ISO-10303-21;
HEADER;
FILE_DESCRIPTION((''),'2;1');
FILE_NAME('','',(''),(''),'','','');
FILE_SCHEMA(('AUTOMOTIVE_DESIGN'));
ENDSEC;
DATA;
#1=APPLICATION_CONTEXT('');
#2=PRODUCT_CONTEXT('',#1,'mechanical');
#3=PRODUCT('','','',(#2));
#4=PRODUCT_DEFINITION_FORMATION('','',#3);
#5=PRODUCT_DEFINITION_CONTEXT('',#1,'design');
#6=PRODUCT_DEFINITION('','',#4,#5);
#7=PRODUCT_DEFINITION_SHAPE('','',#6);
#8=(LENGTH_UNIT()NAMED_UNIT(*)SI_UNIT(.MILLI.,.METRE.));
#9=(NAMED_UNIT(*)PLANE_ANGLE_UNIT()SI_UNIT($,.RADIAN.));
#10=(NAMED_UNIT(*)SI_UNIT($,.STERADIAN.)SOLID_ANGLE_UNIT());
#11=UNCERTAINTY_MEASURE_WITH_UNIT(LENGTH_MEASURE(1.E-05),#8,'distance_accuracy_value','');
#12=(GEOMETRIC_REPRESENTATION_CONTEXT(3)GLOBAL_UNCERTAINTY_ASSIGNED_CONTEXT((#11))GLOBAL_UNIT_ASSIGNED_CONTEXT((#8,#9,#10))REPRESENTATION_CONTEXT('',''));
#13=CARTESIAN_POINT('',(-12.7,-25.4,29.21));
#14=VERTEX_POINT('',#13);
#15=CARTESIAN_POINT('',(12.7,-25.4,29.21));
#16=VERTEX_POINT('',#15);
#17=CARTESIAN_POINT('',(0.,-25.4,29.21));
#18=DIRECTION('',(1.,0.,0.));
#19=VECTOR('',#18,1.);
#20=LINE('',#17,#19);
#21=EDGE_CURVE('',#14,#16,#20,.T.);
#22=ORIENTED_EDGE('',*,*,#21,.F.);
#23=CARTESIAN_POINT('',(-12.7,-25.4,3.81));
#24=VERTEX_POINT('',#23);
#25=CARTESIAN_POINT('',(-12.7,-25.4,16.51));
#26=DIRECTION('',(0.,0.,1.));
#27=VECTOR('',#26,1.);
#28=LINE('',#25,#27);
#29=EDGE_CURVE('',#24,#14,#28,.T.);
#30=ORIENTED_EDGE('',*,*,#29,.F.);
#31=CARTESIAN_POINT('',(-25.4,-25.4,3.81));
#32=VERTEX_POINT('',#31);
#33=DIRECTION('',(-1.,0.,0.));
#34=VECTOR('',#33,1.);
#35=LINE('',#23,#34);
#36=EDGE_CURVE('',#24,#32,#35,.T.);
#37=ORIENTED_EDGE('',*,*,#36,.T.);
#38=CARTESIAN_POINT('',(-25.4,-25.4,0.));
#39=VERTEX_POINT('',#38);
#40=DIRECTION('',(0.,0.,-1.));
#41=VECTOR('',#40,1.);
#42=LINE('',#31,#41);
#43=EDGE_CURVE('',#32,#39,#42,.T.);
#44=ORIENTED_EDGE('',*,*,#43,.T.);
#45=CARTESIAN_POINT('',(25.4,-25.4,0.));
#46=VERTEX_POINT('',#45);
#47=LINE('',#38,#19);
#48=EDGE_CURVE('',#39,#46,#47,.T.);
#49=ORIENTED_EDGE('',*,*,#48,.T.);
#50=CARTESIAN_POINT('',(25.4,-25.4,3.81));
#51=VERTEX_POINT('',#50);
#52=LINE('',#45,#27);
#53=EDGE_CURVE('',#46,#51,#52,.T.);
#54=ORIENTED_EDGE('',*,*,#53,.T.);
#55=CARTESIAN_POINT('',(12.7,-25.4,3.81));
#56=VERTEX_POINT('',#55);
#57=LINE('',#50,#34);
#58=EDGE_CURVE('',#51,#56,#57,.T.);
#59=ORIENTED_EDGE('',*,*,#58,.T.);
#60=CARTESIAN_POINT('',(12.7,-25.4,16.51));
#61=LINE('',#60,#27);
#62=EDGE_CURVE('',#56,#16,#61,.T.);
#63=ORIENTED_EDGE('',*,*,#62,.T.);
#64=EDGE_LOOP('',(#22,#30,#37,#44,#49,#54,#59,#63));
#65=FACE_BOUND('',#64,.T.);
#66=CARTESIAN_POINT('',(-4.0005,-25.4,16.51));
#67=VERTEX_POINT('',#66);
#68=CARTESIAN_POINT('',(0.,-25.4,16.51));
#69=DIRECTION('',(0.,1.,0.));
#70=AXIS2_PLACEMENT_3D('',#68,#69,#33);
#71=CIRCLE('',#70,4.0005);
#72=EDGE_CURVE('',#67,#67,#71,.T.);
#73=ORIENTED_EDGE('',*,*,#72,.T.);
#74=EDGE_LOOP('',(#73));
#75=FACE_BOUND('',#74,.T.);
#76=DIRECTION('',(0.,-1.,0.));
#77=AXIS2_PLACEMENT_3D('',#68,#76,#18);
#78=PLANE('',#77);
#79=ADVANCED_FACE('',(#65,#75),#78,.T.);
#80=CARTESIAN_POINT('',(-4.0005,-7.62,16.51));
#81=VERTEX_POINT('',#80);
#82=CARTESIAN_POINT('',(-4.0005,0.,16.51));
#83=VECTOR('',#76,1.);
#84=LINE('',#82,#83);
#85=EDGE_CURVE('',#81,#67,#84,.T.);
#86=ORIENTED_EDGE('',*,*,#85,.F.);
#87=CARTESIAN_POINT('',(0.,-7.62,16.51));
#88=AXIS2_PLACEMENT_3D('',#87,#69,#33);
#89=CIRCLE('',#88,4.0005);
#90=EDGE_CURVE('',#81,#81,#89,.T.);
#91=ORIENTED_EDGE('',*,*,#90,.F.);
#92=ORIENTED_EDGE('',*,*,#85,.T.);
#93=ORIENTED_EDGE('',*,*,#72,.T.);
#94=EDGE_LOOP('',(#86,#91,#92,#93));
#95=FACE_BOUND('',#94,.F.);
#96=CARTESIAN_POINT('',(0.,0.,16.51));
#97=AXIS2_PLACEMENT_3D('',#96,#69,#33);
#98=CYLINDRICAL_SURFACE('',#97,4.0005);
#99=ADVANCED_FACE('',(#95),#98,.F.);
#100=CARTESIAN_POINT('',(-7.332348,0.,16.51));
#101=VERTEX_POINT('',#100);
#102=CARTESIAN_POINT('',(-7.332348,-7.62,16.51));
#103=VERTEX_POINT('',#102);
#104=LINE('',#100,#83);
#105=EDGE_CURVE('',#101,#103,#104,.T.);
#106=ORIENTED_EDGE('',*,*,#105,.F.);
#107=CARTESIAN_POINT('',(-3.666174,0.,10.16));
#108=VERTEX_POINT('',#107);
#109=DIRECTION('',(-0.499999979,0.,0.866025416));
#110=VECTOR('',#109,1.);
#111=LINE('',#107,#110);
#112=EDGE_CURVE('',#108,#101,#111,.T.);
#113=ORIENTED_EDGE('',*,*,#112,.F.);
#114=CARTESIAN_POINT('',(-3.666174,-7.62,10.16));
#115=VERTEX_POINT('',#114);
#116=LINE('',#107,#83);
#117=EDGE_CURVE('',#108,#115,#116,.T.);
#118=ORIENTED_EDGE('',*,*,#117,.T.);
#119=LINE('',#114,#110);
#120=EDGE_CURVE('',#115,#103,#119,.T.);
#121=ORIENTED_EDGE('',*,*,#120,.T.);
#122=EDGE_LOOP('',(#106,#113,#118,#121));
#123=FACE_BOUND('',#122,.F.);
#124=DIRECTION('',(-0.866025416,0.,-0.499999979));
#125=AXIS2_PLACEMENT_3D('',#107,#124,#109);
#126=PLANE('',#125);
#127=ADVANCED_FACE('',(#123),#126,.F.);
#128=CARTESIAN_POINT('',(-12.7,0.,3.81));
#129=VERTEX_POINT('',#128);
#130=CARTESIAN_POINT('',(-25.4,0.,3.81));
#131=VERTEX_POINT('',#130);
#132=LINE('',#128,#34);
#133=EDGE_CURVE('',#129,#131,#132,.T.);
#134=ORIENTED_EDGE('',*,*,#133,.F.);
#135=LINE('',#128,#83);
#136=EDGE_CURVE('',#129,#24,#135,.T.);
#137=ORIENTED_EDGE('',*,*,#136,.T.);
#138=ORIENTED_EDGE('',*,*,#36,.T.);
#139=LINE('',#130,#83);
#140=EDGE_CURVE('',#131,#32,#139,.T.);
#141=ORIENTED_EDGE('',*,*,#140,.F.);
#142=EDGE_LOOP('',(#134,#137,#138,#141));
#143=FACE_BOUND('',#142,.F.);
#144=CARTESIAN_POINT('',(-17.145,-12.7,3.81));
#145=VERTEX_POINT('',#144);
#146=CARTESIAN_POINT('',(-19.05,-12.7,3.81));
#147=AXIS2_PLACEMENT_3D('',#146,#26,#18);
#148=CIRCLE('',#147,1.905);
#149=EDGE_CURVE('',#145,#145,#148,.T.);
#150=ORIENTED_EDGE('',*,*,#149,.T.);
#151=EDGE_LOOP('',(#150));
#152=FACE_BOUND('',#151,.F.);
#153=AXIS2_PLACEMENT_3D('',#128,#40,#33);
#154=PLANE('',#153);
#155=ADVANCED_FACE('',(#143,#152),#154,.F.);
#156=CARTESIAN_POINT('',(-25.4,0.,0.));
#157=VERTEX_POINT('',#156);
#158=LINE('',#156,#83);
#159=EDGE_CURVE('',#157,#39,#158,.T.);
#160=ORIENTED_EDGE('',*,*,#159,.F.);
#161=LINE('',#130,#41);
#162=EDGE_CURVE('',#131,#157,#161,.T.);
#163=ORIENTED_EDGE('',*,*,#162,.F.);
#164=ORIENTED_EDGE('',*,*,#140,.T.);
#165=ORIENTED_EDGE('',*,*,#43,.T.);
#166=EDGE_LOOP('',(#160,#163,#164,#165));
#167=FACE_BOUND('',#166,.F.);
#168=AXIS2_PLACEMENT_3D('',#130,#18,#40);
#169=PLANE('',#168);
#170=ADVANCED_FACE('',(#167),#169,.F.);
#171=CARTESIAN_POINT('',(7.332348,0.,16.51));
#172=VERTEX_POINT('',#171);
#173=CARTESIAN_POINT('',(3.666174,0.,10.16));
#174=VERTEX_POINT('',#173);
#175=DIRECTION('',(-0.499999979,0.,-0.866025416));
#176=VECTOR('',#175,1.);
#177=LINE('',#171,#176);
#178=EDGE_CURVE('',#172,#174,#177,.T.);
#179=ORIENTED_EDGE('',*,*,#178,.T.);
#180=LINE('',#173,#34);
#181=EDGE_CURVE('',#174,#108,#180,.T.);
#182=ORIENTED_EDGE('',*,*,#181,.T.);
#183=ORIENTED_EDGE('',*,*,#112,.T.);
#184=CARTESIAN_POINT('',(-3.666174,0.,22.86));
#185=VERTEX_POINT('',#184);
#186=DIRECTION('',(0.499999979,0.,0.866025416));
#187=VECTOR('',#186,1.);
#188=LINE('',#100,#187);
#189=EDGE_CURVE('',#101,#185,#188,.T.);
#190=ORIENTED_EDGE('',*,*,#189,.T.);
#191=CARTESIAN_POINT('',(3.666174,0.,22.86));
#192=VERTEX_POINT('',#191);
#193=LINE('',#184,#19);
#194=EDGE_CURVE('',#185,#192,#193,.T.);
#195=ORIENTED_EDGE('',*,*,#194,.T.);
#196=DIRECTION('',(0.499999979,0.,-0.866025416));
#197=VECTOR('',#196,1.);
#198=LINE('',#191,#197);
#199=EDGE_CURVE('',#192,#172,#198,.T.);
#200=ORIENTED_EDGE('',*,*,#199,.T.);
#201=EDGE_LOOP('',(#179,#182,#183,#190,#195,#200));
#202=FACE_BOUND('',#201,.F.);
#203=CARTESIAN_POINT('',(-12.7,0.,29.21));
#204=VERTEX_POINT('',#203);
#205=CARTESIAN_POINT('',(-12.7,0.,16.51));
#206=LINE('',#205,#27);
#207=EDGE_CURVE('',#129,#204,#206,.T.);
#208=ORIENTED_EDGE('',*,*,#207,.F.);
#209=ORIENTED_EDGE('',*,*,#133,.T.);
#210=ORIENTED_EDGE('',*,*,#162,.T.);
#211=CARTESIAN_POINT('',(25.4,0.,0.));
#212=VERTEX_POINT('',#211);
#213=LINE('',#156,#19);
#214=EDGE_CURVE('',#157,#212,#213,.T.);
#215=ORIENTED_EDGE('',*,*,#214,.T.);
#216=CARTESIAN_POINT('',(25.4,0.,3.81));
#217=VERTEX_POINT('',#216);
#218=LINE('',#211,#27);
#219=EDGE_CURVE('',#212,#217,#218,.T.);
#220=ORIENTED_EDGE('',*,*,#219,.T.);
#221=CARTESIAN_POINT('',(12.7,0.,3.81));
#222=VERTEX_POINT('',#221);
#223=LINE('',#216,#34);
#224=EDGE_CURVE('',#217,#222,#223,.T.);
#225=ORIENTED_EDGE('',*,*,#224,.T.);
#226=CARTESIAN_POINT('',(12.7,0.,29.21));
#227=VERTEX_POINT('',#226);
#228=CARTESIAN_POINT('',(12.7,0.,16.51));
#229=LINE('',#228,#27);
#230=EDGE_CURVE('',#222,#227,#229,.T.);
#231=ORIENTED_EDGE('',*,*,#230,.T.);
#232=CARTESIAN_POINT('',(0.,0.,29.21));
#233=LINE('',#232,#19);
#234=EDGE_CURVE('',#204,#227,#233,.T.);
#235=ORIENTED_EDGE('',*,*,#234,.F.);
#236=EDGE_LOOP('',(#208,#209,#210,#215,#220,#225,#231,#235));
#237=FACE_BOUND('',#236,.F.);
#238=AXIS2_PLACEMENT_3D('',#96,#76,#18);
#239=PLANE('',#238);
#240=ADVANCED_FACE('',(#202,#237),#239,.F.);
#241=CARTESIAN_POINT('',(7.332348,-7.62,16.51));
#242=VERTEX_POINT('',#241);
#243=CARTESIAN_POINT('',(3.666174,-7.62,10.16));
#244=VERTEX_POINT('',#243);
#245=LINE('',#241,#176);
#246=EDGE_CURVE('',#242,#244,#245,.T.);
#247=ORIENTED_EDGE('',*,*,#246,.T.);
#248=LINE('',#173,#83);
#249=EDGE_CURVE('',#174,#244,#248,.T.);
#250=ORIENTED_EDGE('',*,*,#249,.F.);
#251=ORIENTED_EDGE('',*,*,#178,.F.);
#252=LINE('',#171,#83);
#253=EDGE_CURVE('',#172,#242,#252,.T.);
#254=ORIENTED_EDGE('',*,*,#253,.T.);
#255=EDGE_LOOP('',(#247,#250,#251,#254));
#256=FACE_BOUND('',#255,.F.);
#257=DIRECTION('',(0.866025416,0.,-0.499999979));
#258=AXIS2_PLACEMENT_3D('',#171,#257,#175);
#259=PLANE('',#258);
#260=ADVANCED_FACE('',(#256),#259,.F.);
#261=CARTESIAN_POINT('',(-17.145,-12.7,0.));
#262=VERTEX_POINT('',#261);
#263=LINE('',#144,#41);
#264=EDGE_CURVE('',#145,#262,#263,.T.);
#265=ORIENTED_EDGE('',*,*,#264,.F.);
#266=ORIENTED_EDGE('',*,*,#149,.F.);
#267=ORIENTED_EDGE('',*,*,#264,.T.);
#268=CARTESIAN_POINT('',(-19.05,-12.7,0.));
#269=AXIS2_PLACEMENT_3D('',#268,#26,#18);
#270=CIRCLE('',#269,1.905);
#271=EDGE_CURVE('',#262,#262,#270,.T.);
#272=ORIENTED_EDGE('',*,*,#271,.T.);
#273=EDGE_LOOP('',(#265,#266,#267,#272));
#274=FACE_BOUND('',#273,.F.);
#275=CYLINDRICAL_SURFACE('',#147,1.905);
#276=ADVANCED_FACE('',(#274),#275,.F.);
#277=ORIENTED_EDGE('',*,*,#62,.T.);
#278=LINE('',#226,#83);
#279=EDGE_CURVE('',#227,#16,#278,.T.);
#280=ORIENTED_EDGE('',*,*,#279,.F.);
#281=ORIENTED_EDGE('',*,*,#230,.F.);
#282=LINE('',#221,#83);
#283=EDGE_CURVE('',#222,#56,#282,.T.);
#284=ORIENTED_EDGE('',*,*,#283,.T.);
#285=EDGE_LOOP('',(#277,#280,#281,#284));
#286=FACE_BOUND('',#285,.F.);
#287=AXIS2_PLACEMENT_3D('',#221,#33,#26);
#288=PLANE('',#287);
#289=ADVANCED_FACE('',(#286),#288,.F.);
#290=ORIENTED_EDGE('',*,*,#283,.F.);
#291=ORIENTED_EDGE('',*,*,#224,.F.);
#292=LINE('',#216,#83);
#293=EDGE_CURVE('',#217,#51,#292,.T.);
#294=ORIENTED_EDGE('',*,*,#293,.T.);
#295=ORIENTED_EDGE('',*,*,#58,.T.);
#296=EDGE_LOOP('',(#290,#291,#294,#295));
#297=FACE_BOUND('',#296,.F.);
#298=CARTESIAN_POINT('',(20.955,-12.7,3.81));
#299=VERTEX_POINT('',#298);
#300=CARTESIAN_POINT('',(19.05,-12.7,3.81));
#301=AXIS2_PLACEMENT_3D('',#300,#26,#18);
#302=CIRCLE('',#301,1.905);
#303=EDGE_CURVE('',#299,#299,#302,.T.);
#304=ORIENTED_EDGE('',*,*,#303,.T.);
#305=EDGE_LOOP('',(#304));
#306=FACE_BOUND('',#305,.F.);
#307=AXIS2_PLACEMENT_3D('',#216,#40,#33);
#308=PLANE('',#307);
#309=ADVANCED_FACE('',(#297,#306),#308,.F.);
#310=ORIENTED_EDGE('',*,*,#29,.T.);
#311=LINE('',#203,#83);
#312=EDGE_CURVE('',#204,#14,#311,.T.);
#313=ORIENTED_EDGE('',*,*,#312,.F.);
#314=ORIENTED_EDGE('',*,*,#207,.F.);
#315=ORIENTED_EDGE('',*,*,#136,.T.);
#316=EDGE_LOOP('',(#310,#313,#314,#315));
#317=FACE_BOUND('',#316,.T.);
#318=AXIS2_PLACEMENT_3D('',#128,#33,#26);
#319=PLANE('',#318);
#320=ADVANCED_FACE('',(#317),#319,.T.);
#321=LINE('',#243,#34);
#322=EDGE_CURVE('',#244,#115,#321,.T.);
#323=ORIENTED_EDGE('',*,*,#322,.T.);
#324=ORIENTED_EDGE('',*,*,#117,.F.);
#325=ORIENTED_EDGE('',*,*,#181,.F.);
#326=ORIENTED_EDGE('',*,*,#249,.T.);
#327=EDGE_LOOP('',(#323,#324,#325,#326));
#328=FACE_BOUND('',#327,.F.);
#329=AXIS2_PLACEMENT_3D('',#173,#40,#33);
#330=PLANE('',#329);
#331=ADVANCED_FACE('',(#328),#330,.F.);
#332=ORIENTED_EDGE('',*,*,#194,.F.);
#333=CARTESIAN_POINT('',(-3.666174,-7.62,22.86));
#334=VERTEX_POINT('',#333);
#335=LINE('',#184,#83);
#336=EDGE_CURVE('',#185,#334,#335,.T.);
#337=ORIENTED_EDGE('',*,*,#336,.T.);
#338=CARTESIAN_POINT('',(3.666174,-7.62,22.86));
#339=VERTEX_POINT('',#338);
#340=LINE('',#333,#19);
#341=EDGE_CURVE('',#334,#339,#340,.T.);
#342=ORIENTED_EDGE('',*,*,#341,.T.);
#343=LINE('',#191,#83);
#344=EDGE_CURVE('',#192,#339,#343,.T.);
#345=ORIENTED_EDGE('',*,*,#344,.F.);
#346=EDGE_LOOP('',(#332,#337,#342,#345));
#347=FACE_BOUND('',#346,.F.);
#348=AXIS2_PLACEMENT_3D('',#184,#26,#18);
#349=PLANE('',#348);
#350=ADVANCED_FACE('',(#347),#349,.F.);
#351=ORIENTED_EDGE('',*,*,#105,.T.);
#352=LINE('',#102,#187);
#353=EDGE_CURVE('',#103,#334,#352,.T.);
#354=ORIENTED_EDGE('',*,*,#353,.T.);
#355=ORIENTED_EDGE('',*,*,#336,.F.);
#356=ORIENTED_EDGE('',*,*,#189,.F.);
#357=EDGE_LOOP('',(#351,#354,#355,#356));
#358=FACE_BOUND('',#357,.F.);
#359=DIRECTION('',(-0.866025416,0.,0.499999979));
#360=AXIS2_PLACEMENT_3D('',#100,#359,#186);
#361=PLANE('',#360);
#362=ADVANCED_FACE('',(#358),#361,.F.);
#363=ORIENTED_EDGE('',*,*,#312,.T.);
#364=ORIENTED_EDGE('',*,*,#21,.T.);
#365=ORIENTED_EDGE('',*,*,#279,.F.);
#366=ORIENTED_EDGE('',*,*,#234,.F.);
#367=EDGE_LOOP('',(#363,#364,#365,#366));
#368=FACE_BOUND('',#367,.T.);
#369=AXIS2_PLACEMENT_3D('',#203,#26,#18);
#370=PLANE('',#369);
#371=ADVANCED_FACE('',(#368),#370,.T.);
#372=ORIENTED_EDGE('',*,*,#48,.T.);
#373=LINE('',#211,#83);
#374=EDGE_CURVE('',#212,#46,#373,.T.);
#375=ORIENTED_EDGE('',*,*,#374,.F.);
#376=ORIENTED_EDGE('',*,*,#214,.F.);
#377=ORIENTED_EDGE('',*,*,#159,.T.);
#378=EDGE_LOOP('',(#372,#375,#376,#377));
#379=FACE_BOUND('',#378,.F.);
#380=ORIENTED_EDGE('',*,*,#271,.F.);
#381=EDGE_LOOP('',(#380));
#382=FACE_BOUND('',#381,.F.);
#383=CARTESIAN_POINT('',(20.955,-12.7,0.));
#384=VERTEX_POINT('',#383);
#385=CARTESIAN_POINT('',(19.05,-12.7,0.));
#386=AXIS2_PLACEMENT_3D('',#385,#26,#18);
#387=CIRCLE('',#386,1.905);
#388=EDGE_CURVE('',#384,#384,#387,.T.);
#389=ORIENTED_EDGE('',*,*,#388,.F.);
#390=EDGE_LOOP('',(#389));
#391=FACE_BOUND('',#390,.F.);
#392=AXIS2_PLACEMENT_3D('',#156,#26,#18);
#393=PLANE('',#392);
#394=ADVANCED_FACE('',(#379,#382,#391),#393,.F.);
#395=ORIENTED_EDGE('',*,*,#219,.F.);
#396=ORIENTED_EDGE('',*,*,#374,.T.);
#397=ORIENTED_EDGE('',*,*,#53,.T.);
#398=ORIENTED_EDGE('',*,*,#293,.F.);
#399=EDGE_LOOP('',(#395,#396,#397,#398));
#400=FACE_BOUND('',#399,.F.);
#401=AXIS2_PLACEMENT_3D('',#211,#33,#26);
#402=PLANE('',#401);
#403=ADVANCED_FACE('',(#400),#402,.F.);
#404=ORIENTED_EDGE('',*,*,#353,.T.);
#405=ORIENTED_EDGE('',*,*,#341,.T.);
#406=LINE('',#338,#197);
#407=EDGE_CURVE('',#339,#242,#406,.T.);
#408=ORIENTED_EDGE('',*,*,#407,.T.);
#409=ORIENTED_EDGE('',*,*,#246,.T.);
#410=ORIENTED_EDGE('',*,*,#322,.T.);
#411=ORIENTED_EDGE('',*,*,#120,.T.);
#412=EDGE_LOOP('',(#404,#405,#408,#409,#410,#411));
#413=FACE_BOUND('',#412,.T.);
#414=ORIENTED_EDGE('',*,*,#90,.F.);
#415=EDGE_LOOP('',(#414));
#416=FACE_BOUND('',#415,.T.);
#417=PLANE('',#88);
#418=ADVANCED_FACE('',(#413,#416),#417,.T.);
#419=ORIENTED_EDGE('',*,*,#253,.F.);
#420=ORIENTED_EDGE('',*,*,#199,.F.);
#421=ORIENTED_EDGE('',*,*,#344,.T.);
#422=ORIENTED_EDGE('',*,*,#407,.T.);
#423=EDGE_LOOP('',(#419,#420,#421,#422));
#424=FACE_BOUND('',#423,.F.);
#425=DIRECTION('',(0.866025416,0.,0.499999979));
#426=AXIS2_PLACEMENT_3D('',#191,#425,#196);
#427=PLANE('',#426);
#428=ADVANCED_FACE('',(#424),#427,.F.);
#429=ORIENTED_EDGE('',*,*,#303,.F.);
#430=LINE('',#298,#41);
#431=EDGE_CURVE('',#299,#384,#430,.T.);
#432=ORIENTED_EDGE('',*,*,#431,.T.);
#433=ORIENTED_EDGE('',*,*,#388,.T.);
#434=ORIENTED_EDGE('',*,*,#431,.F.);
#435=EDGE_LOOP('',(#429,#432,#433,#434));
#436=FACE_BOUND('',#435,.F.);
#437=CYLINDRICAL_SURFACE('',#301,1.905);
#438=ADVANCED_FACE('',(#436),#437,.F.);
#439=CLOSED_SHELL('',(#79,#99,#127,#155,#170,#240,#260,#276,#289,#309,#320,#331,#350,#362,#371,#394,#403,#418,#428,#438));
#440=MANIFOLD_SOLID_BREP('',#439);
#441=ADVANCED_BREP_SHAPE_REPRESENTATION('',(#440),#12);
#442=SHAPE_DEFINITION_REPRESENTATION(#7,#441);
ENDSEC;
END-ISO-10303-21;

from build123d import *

# Parameters (mm, degrees)
F0_W     = 25.4
F0_H     = 25.4
F1_DEPTH = 25.4
F2_R     = 4.0005
F3_DEPTH = 25.401
F4_R     = 4.0005
F5_DEPTH = 7.62
F6_R     = 1.905
F7_DEPTH = 25.4


with BuildPart() as f1:
    # F0 (on Front) → F1 (new body)
    with BuildSketch(Plane.XZ):
        with Locations((0, 16.51)):
            Rectangle(F0_W, F0_H)
        Polygon((-25.4, 3.81), (-25.4, 0), (25.4, 0), (25.4, 3.81), (12.7, 3.81), (-12.7, 3.81), align=None)
    extrude(amount=F1_DEPTH)

    # F2 (on face) → F3 (cut, through all)
    with BuildSketch(Plane(origin=(0, 0, 0), x_dir=(-1, 0, 0), z_dir=(0, 1, 0))):
        with Locations((0, 16.51)):
            Circle(F2_R)
    extrude(amount=-F3_DEPTH, mode=Mode.SUBTRACT)

    # F4 (on face) → F5 (cut)
    with BuildSketch(Plane(origin=(0, 0, 0), x_dir=(-1, 0, 0), z_dir=(0, 1, 0))):
        Polygon((7.332348, 16.51), (3.666174, 22.86), (-3.666174, 22.86), (-7.332348, 16.51), (-3.666174, 10.16), (3.666174, 10.16), align=None)
        with Locations((0, 16.51)):
            Circle(F4_R, mode=Mode.SUBTRACT)
    extrude(amount=-F5_DEPTH, mode=Mode.SUBTRACT)

    # F6 (on face) → F7 (cut)
    with BuildSketch(Plane.XY.offset(3.81)):
        with Locations((-19.05, -12.7)):
            Circle(F6_R)
        with Locations((19.05, -12.7)):
            Circle(F6_R)
    extrude(amount=-F7_DEPTH, mode=Mode.SUBTRACT)


solid = f1.part
